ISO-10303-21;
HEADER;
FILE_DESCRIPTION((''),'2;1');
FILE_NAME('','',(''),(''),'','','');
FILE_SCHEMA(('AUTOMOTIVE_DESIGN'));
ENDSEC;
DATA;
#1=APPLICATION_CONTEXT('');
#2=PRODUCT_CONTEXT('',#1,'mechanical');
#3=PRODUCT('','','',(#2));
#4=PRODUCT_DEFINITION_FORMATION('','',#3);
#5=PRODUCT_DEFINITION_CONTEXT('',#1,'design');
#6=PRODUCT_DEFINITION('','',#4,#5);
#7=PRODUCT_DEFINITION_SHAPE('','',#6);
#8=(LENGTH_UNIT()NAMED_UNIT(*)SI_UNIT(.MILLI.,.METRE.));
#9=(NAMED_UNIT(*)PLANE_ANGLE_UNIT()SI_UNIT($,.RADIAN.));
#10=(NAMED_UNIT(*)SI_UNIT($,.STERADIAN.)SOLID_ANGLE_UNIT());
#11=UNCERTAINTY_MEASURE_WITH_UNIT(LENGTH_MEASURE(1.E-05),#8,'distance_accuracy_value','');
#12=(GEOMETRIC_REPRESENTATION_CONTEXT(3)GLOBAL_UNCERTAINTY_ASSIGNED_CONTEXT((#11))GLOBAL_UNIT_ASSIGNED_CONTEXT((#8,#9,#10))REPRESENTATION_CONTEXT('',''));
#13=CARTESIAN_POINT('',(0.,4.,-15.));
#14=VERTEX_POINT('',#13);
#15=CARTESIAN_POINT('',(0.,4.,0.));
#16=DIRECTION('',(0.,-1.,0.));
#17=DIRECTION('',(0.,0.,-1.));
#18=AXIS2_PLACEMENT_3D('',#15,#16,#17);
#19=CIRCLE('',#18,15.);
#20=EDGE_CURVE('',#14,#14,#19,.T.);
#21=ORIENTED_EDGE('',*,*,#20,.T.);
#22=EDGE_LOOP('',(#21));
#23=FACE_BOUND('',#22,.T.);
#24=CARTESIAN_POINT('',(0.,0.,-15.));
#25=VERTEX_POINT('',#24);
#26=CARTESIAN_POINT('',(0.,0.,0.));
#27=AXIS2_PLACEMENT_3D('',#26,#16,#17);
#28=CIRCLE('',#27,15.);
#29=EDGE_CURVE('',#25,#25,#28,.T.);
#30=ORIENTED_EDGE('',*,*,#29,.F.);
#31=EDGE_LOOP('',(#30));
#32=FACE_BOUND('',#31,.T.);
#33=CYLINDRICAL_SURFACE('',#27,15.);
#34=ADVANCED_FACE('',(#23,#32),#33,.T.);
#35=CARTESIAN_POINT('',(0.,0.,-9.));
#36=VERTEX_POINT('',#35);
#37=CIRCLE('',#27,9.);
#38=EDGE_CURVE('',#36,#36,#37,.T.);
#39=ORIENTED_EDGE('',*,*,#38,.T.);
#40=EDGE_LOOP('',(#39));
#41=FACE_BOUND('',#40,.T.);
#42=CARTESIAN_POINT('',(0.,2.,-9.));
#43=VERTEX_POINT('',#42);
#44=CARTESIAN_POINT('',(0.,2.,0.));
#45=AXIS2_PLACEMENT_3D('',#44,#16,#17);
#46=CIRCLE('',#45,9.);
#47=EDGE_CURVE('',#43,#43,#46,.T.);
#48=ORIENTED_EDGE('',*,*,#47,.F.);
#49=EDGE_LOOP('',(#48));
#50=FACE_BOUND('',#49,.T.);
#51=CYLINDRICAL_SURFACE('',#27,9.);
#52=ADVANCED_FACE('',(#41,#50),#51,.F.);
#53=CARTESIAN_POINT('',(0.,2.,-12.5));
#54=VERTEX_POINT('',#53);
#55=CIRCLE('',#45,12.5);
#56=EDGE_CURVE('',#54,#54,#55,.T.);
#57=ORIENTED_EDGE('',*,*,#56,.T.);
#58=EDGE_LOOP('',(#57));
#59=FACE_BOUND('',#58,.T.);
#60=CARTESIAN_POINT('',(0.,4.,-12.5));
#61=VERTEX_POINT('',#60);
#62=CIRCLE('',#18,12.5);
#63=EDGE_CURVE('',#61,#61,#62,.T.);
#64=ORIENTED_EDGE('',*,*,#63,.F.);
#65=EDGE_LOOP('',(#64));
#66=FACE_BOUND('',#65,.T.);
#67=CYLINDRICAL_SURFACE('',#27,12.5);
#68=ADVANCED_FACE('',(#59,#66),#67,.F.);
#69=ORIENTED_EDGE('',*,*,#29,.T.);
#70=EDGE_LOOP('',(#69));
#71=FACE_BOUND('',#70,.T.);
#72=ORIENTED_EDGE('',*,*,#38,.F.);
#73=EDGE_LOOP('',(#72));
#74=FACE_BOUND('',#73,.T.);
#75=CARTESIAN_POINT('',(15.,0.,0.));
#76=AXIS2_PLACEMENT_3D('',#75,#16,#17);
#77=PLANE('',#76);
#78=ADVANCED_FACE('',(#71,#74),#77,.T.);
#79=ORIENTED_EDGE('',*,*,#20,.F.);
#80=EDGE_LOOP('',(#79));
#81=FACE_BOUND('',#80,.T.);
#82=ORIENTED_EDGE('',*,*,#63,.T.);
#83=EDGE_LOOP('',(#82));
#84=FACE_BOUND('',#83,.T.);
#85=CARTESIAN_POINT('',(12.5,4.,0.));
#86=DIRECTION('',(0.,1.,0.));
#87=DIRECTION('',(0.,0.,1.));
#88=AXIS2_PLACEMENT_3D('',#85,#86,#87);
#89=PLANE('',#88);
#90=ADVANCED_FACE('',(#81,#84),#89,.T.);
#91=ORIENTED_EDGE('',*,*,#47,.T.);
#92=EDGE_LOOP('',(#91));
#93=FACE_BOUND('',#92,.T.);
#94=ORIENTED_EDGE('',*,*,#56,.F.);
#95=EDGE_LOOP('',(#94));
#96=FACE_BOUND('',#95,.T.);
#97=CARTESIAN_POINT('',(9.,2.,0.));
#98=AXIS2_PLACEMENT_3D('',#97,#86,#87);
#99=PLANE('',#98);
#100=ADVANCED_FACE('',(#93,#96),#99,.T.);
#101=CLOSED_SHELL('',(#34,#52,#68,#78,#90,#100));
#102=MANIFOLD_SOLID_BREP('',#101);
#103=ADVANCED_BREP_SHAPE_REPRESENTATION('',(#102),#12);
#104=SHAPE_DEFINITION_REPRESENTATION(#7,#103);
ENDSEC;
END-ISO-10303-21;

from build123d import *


with BuildPart() as part:
    # Sketch1 → Revolve1 (revolve)
    with BuildSketch(Plane.XY, mode=Mode.PRIVATE) as revolve1_sk:
        Polygon((9, 0), (9, 2), (12.5, 2), (12.5, 4), (15, 4), (15, 0), align=None)
    revolve(revolve1_sk.sketch.rotate(Axis((0, 0, 0), (0, 1, 0)), 90), axis=Axis((0, 0, 0), (0, 1, 0)))


solid = part.part
